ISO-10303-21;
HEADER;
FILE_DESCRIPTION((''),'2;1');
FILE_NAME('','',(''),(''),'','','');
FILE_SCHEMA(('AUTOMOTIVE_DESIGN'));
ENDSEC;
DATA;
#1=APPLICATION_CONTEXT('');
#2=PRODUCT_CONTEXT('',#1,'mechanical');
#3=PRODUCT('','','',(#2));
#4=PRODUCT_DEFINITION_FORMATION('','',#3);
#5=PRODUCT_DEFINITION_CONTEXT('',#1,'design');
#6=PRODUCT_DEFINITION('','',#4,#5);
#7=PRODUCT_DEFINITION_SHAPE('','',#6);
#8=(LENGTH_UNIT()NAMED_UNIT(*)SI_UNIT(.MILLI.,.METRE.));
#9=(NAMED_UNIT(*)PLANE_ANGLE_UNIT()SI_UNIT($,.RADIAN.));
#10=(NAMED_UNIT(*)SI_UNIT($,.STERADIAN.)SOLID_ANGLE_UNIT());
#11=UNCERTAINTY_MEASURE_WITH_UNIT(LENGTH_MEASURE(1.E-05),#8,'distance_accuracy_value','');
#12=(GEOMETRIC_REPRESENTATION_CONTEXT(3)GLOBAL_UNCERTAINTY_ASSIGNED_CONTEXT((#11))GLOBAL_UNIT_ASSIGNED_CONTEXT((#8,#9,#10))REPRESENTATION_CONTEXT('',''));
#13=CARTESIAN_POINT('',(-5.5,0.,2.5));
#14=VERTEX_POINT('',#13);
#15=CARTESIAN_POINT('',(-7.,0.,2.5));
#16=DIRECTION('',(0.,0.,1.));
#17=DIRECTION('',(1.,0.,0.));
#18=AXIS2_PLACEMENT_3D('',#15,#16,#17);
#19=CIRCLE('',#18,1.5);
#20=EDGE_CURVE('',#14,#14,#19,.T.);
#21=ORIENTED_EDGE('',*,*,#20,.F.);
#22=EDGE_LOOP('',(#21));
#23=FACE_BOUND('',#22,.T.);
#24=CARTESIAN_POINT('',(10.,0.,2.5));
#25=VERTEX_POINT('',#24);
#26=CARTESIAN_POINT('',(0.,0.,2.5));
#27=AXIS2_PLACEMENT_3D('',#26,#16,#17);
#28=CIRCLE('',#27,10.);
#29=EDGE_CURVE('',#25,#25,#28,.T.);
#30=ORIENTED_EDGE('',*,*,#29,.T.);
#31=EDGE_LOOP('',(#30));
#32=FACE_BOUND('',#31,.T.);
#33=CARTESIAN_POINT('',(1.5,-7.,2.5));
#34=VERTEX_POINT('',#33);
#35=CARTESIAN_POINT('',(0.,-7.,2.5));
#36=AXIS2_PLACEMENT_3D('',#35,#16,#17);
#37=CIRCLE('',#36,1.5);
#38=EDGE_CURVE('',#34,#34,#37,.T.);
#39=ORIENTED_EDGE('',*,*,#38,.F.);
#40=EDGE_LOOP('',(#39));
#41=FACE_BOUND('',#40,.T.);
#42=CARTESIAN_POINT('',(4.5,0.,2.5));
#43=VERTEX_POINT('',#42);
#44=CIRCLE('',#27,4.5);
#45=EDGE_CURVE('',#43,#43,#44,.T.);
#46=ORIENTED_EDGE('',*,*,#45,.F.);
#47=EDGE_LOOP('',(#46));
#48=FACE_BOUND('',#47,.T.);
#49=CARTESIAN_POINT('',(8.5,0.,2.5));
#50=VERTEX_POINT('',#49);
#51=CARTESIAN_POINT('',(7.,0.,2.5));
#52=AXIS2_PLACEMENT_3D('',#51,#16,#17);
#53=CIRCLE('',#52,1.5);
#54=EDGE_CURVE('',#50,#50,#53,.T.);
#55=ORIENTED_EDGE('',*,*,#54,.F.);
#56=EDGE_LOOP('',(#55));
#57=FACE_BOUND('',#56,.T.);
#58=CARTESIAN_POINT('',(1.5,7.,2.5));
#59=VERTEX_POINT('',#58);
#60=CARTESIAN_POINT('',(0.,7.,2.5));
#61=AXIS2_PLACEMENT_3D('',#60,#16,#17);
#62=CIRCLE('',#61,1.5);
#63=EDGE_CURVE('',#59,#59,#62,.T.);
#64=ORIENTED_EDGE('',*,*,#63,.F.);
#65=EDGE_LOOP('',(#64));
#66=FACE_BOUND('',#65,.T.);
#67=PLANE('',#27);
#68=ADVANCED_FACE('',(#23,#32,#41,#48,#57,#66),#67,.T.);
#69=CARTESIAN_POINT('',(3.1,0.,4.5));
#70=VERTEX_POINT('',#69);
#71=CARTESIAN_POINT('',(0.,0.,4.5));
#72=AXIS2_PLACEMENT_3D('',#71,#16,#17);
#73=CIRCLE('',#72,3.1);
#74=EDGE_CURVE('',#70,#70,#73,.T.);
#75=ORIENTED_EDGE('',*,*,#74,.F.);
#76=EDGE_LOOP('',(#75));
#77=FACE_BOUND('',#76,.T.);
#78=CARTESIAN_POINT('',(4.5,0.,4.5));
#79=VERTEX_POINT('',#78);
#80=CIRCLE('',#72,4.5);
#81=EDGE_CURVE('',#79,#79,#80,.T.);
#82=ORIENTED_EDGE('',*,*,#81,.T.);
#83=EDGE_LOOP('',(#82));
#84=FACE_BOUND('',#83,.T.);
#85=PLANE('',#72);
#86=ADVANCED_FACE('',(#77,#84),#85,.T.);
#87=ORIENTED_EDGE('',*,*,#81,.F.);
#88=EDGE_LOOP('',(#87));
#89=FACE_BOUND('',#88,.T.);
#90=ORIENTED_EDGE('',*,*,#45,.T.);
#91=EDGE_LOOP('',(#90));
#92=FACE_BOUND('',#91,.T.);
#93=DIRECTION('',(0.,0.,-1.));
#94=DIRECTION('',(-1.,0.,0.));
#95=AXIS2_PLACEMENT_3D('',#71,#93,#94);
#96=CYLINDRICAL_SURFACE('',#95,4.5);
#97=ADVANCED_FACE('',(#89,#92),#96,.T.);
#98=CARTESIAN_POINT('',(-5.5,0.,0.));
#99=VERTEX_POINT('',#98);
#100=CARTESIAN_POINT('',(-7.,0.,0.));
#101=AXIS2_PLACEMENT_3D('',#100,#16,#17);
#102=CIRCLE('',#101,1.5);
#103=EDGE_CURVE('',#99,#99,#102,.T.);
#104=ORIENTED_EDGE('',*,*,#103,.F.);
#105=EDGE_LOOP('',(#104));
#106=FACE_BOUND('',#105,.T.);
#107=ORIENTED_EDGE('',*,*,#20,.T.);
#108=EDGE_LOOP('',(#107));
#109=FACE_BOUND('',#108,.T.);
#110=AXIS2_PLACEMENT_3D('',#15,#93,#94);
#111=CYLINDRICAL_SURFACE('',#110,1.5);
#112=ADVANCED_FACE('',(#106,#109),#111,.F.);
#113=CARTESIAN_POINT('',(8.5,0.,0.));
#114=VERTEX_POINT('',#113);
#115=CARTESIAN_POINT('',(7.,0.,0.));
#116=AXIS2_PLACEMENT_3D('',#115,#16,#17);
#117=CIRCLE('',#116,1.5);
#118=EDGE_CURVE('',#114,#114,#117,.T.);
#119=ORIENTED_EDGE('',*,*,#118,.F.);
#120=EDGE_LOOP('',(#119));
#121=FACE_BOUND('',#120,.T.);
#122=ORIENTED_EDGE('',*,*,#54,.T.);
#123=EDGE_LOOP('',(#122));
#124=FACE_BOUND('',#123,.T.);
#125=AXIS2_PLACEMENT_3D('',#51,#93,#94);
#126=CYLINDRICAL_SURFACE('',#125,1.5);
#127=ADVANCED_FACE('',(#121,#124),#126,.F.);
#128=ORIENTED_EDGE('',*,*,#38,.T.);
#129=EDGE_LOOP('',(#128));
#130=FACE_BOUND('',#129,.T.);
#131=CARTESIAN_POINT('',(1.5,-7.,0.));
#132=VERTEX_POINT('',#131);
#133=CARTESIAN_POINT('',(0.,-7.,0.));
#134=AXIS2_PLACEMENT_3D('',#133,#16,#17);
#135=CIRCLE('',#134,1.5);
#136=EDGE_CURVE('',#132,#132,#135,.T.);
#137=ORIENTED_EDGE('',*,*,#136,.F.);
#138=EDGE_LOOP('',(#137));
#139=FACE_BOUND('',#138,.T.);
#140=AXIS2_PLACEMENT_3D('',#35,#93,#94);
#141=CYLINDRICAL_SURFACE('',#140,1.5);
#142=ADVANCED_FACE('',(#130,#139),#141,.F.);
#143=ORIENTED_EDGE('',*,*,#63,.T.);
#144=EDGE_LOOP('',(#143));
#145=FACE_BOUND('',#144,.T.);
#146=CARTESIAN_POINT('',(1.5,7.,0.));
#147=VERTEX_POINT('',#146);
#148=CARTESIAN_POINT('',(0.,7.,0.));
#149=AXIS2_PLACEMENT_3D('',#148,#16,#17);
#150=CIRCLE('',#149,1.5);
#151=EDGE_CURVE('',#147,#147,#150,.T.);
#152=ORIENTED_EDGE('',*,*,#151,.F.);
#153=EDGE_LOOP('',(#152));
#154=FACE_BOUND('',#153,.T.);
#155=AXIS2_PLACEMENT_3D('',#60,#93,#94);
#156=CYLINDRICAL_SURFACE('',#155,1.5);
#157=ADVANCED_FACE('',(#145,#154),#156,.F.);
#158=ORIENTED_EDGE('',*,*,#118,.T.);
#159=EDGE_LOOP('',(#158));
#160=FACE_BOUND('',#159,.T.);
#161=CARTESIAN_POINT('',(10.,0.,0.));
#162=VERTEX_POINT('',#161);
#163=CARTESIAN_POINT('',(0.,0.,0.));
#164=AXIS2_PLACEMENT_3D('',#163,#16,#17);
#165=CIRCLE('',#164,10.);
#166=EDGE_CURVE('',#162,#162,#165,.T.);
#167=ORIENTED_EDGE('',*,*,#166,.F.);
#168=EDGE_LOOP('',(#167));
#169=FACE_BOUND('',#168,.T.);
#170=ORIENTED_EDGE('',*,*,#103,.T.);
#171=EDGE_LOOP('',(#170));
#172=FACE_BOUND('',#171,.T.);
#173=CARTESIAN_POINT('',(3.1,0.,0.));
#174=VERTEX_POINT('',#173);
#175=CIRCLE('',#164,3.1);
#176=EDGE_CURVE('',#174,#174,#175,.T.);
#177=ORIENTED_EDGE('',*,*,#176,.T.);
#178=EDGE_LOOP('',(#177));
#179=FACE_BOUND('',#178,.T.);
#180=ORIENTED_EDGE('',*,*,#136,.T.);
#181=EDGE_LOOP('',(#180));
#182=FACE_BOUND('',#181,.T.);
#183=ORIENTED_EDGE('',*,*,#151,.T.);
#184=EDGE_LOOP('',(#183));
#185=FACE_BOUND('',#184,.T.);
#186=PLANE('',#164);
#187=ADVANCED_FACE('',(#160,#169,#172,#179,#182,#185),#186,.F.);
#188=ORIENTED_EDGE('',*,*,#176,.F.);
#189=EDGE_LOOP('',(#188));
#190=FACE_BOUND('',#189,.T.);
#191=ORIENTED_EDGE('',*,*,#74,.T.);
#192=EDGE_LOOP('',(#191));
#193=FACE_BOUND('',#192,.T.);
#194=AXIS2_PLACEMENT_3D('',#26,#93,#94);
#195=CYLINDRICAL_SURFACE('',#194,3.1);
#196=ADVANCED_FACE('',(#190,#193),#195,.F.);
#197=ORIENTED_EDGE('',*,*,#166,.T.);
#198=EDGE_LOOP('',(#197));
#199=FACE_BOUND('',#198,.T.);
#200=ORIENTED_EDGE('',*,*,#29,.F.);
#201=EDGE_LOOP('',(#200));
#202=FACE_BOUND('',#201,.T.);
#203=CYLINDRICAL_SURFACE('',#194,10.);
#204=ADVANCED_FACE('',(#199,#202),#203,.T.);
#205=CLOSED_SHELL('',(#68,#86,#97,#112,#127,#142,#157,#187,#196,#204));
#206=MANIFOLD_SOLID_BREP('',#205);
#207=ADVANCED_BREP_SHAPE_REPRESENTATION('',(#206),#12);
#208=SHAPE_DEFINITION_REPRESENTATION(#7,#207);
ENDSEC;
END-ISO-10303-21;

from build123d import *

# Parameters (mm, degrees)
SKETCH_1_R      = 10
SKETCH_1_R_2    = 1.5
SKETCH_1_R_3    = 3.1
EXTRUDE_1_DEPTH = 2.5
SKETCH_2_R      = 4.5
SKETCH_2_R_2    = 3.1
EXTRUDE_2_DEPTH = 2


with BuildPart() as part:
    # 草图1 → 凸台-拉伸1 (new body)
    with BuildSketch(Plane.XY):
        Circle(SKETCH_1_R)
        with Locations((0, 7)):
            Circle(SKETCH_1_R_2, mode=Mode.SUBTRACT)
        with Locations((7, 0)):
            Circle(SKETCH_1_R_2, mode=Mode.SUBTRACT)
        with Locations((0, -7)):
            Circle(SKETCH_1_R_2, mode=Mode.SUBTRACT)
        with Locations((-7, 0)):
            Circle(SKETCH_1_R_2, mode=Mode.SUBTRACT)
        Circle(SKETCH_1_R_3, mode=Mode.SUBTRACT)
    extrude(amount=EXTRUDE_1_DEPTH)

    # 草图2 → 凸台-拉伸2 (add)
    with BuildSketch(Plane.XY.offset(2.5)):
        Circle(SKETCH_2_R)
        Circle(SKETCH_2_R_2, mode=Mode.SUBTRACT)
    extrude(amount=EXTRUDE_2_DEPTH)


solid = part.part
